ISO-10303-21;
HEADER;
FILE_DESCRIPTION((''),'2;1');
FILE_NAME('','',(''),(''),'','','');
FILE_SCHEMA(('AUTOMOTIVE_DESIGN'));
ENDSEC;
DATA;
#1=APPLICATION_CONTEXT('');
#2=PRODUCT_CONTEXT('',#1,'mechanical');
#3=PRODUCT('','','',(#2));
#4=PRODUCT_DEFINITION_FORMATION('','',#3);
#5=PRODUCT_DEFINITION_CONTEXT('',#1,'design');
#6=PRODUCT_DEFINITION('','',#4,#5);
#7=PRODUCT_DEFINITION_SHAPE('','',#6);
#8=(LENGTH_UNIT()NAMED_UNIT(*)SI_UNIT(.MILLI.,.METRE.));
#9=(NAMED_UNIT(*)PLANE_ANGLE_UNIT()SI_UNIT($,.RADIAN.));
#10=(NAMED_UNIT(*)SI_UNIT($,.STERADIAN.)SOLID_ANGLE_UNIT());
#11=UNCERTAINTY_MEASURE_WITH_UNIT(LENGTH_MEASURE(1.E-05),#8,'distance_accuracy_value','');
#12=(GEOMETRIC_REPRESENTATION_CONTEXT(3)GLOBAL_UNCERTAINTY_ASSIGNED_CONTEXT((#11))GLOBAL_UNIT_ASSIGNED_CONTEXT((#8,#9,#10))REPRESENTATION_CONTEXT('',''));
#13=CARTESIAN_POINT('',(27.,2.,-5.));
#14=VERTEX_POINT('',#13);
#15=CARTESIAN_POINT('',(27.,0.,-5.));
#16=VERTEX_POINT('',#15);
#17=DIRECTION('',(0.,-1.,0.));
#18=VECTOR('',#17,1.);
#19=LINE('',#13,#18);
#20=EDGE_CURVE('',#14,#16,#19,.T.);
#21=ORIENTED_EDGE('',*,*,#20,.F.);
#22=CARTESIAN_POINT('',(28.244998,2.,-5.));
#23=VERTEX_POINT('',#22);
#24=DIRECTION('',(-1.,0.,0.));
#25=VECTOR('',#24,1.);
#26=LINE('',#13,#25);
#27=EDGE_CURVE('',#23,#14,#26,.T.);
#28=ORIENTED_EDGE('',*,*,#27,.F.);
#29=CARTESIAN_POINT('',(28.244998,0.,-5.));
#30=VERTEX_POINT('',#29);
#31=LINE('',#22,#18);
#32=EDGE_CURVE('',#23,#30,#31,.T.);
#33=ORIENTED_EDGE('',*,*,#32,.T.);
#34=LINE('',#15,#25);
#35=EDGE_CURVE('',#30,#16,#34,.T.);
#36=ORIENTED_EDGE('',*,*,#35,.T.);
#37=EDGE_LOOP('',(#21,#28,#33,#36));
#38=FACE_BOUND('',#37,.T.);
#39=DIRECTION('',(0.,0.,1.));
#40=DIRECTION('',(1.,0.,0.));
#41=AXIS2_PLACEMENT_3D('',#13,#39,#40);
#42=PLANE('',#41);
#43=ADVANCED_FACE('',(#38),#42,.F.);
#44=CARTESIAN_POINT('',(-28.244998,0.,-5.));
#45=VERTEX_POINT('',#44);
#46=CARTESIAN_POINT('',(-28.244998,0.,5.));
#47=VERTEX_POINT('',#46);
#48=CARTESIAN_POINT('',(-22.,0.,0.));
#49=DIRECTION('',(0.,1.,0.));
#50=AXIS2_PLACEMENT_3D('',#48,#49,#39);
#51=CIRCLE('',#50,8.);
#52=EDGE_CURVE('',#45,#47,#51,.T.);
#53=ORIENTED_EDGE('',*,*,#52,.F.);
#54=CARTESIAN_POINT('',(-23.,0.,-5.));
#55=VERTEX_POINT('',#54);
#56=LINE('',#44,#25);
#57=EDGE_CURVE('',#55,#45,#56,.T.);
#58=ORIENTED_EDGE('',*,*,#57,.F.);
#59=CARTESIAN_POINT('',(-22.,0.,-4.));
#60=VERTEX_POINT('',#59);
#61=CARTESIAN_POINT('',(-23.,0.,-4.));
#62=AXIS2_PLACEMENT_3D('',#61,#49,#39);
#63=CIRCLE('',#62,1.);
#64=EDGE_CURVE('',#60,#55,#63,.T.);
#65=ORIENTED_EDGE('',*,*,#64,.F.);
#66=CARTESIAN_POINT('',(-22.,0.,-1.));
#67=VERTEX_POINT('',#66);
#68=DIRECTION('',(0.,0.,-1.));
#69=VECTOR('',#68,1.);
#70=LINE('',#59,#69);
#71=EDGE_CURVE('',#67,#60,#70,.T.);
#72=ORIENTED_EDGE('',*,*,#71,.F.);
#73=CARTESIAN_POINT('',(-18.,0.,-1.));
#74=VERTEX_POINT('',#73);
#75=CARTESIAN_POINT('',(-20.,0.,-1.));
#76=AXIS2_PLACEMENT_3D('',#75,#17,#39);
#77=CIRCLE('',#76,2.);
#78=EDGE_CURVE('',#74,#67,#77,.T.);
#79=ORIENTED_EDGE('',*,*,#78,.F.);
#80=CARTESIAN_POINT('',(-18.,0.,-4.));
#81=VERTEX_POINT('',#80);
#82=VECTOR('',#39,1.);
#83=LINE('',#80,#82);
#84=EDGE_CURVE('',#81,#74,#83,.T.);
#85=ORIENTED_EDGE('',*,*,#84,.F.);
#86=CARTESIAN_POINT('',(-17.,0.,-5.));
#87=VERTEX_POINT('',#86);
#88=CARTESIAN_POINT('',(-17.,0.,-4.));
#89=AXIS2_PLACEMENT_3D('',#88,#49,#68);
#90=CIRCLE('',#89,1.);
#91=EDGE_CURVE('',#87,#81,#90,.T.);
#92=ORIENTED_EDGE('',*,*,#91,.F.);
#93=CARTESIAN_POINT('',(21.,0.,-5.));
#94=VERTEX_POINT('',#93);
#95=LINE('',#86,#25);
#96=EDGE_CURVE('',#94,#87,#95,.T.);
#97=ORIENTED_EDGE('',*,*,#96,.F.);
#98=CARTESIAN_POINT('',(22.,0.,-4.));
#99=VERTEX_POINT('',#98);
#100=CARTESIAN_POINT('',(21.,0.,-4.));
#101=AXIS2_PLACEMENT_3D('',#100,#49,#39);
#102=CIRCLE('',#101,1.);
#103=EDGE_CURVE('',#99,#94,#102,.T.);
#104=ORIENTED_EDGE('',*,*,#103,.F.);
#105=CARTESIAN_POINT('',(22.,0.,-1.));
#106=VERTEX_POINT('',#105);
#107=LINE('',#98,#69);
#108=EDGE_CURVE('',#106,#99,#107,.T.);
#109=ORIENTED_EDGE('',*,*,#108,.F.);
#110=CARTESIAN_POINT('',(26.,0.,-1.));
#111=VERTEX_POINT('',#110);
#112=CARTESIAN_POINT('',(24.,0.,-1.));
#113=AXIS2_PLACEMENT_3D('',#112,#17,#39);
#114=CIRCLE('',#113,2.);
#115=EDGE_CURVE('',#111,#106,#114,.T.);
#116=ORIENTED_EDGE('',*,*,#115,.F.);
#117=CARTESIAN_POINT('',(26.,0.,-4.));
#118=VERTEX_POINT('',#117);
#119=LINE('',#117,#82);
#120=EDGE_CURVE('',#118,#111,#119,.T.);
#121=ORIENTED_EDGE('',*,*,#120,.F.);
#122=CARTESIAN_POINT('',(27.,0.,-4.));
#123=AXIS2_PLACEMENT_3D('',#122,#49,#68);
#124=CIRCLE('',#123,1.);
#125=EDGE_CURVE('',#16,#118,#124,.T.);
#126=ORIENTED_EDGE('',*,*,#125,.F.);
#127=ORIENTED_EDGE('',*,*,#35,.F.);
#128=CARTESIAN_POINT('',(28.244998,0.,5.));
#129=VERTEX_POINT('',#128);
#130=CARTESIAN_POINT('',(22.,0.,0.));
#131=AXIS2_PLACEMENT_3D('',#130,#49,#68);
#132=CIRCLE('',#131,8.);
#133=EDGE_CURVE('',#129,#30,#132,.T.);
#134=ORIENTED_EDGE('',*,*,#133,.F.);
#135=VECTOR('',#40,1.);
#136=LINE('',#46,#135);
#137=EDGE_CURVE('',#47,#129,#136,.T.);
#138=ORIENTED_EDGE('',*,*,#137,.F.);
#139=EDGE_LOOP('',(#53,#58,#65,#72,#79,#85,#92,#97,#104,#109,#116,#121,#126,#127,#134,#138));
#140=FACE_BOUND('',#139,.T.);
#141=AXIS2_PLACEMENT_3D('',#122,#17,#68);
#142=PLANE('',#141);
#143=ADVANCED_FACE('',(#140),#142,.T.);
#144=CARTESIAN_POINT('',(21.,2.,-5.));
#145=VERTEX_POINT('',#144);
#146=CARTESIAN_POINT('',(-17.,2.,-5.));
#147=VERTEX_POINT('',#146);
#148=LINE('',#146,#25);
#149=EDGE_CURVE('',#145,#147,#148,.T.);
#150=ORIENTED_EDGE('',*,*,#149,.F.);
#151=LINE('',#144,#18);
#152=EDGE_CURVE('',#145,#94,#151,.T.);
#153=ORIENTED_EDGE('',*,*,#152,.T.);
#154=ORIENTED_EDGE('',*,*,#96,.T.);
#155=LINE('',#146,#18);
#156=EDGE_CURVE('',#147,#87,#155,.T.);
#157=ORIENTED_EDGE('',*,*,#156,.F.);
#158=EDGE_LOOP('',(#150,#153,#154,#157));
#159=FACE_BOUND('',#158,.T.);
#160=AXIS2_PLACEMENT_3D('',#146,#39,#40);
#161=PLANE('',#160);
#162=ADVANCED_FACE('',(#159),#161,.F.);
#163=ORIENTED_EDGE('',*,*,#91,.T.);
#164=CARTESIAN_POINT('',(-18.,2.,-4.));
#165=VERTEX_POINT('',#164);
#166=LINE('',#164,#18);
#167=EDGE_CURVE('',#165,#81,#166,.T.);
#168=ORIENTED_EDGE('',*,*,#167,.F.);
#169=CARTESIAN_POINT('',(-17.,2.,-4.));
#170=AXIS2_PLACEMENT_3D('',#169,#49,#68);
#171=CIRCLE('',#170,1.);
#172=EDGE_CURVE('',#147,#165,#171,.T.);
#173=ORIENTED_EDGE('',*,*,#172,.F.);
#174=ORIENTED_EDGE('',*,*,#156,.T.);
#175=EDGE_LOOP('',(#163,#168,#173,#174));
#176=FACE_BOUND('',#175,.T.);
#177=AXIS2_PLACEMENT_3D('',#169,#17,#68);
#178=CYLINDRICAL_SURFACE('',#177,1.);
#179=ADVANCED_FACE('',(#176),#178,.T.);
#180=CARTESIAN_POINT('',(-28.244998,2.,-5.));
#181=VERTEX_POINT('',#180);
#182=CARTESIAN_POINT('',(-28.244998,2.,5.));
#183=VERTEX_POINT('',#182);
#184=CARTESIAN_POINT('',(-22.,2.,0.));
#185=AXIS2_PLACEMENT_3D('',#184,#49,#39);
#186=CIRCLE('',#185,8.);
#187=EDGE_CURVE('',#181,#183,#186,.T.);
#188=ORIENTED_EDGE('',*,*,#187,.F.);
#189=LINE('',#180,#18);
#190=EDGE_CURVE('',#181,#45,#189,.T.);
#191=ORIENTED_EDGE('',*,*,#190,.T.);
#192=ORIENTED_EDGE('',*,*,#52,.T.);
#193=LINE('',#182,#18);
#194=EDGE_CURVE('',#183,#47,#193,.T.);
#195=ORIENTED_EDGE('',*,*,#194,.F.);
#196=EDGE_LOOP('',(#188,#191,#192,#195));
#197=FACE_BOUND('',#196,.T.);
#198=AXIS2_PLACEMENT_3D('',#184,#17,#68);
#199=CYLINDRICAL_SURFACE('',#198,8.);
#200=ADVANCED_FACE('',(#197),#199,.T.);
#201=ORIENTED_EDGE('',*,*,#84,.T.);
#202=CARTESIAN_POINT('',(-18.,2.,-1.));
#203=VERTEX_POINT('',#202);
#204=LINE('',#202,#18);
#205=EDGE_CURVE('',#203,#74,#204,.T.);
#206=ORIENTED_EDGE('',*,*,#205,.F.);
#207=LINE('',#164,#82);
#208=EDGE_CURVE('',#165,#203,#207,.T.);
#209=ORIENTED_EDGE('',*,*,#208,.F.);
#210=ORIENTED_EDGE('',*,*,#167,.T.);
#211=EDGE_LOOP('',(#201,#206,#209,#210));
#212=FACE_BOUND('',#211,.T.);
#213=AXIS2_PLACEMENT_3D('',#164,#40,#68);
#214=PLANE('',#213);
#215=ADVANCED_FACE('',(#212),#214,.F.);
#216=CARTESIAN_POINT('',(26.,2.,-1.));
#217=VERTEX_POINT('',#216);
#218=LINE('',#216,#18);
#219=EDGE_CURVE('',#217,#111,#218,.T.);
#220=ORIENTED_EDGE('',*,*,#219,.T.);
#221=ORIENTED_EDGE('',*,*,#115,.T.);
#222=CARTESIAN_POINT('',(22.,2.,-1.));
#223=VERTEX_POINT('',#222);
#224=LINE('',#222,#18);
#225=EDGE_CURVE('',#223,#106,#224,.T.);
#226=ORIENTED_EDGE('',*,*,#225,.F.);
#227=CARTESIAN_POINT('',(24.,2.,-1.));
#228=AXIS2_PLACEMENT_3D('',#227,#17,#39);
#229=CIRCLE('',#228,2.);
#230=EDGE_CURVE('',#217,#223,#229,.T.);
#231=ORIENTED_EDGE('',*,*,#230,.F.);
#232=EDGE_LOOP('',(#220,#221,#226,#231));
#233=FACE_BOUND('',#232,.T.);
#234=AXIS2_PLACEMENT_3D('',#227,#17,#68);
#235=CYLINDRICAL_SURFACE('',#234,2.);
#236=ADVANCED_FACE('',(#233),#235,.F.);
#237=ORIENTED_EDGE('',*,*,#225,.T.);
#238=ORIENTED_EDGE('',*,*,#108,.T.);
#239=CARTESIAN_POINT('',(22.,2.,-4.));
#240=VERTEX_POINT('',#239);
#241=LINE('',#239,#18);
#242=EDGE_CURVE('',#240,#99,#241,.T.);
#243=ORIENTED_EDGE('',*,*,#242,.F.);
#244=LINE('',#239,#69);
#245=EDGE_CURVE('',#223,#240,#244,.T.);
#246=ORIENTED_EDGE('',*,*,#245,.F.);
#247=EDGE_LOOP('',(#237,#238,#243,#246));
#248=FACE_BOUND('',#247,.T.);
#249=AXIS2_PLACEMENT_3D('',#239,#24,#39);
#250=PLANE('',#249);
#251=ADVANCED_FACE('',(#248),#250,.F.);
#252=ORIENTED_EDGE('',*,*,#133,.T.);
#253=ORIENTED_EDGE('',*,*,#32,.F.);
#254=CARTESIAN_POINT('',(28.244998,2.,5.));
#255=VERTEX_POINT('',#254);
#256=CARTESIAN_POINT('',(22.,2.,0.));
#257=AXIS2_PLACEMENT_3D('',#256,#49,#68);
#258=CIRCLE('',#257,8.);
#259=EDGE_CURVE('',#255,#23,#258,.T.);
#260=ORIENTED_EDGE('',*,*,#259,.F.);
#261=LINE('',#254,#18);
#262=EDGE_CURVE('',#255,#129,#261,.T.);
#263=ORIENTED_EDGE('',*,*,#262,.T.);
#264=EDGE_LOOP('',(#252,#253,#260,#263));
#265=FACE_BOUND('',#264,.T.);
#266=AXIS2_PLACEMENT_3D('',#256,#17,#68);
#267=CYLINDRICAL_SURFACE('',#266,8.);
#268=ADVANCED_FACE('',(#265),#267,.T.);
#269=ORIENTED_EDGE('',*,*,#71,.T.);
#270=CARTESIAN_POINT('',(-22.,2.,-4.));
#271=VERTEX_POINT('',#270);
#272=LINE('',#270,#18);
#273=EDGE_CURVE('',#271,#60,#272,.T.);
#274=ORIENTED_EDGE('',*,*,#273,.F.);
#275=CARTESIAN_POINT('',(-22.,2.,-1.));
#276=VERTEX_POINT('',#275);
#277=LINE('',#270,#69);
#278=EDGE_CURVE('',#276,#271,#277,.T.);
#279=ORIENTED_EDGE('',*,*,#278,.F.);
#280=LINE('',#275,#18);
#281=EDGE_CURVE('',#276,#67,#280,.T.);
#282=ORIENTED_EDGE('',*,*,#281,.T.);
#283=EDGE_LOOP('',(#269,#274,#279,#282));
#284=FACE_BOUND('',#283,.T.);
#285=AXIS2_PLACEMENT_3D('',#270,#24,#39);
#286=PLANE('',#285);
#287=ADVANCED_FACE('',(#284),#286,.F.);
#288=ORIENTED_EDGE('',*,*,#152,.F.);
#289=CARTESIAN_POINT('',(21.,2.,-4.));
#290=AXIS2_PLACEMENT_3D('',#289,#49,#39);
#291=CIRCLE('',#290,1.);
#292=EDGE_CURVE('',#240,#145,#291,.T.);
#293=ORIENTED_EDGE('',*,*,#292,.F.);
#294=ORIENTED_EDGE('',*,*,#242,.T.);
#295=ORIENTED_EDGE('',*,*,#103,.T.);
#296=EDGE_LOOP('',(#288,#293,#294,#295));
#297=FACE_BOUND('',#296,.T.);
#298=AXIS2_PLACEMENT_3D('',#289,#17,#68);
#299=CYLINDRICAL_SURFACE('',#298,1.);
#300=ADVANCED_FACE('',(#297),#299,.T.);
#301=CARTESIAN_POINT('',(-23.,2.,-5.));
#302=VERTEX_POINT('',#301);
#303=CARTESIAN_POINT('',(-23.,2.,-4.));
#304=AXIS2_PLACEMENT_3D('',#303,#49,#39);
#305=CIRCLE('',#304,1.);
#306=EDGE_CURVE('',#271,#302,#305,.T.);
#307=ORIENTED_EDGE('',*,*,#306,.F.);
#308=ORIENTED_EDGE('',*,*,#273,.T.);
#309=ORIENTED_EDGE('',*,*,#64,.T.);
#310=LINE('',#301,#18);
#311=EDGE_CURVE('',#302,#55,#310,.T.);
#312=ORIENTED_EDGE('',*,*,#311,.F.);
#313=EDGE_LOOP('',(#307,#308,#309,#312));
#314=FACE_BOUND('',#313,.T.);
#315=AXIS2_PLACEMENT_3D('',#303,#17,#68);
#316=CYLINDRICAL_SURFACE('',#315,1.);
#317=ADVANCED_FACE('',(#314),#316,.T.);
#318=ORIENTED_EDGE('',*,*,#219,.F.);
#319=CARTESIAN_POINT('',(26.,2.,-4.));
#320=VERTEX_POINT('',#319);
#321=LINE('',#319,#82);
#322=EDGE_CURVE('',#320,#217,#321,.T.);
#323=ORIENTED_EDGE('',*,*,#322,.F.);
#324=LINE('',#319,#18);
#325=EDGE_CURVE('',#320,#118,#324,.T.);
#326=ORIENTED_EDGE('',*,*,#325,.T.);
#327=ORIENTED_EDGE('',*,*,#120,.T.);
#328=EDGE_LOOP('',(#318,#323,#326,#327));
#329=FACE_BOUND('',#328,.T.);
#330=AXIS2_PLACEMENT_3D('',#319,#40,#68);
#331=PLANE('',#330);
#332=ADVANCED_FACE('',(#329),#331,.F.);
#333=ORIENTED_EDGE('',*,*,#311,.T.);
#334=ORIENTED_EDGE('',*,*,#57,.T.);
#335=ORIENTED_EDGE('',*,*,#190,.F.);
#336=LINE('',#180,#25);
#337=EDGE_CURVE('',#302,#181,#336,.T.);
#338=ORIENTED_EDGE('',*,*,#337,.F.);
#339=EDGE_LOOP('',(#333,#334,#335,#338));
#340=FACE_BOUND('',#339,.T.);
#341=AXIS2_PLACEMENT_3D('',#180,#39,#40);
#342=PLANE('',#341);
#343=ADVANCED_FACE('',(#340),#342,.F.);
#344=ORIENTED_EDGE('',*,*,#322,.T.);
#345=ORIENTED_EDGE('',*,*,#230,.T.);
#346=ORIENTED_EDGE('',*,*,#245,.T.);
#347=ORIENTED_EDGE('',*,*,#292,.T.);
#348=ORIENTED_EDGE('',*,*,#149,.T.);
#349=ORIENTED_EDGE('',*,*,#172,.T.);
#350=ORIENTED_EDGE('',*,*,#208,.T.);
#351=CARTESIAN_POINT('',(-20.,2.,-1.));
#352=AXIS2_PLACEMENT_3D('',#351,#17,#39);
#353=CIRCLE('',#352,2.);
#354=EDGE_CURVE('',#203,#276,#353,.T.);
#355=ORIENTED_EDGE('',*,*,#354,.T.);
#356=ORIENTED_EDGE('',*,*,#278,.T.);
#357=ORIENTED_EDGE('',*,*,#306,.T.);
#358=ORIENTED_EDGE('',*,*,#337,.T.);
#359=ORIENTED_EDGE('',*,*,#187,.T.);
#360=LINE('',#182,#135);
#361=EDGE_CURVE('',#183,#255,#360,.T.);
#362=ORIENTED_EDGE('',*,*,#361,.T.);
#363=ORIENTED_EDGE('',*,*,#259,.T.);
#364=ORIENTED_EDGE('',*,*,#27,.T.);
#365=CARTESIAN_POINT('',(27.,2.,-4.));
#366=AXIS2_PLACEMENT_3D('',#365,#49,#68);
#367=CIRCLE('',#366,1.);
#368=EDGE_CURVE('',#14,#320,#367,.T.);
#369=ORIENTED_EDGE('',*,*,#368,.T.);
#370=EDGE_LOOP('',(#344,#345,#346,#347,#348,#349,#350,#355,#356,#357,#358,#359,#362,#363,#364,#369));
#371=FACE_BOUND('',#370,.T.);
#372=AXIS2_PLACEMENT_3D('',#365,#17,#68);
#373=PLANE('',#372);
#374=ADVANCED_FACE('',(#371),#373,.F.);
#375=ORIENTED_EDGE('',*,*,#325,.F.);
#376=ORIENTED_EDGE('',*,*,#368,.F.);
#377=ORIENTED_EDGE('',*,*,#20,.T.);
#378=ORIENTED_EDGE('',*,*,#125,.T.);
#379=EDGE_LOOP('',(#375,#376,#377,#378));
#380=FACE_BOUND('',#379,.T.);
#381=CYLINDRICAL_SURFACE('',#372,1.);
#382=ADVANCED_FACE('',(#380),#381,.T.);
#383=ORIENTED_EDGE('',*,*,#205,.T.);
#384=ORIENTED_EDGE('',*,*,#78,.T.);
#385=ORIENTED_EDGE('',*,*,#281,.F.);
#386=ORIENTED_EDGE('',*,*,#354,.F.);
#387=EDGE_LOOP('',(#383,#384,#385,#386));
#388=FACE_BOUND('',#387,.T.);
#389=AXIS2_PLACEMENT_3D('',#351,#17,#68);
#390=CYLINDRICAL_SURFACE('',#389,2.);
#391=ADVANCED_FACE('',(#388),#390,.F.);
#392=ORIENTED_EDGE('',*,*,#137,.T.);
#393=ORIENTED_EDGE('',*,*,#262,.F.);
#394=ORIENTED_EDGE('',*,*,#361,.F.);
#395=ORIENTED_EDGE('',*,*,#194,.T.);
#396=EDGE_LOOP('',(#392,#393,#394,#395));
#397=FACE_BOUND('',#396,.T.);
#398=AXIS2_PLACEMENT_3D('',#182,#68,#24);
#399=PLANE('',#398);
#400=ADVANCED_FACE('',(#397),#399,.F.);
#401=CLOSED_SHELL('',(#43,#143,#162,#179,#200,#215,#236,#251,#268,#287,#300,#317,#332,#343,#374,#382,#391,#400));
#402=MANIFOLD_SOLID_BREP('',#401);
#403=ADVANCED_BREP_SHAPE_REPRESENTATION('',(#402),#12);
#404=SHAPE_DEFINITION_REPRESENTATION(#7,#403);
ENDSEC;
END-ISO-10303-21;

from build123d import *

# Parameters (mm, degrees)
RESSALTO_EXTRUS_O2_DEPTH = 2


with BuildPart() as part:
    # Esboço1 → Ressalto-extrusão2 (new body)
    with BuildSketch(Plane(origin=(0, 0, 0), x_dir=(1, 0, 0), z_dir=(0, 1, 0))):
        with BuildLine():
            Line((-28.244997998, 5), (-23, 5))
            ThreePointArc((-23, 5), (-22.292893219, 4.707106781), (-22, 4))
            Line((-22, 4), (-22, 1))
            ThreePointArc((-22, 1), (-20, -1), (-18, 1))
            Line((-18, 1), (-18, 4))
            ThreePointArc((-18, 4), (-17.707106781, 4.707106781), (-17, 5))
            Line((-17, 5), (21, 5))
            ThreePointArc((21, 5), (21.707106781, 4.707106781), (22, 4))
            Line((22, 4), (22, 1))
            ThreePointArc((22, 1), (24, -1), (26, 1))
            Line((26, 1), (26, 4))
            ThreePointArc((26, 4), (26.292893219, 4.707106781), (27, 5))
            Line((27, 5), (28.244997998, 5))
            ThreePointArc((28.244997998, 5), (30, 0), (28.244997998, -5))
            Line((28.244997998, -5), (-28.244997998, -5))
            ThreePointArc((-28.244997998, -5), (-30, 0), (-28.244997998, 5))
        make_face()
    extrude(amount=RESSALTO_EXTRUS_O2_DEPTH)


solid = part.part
